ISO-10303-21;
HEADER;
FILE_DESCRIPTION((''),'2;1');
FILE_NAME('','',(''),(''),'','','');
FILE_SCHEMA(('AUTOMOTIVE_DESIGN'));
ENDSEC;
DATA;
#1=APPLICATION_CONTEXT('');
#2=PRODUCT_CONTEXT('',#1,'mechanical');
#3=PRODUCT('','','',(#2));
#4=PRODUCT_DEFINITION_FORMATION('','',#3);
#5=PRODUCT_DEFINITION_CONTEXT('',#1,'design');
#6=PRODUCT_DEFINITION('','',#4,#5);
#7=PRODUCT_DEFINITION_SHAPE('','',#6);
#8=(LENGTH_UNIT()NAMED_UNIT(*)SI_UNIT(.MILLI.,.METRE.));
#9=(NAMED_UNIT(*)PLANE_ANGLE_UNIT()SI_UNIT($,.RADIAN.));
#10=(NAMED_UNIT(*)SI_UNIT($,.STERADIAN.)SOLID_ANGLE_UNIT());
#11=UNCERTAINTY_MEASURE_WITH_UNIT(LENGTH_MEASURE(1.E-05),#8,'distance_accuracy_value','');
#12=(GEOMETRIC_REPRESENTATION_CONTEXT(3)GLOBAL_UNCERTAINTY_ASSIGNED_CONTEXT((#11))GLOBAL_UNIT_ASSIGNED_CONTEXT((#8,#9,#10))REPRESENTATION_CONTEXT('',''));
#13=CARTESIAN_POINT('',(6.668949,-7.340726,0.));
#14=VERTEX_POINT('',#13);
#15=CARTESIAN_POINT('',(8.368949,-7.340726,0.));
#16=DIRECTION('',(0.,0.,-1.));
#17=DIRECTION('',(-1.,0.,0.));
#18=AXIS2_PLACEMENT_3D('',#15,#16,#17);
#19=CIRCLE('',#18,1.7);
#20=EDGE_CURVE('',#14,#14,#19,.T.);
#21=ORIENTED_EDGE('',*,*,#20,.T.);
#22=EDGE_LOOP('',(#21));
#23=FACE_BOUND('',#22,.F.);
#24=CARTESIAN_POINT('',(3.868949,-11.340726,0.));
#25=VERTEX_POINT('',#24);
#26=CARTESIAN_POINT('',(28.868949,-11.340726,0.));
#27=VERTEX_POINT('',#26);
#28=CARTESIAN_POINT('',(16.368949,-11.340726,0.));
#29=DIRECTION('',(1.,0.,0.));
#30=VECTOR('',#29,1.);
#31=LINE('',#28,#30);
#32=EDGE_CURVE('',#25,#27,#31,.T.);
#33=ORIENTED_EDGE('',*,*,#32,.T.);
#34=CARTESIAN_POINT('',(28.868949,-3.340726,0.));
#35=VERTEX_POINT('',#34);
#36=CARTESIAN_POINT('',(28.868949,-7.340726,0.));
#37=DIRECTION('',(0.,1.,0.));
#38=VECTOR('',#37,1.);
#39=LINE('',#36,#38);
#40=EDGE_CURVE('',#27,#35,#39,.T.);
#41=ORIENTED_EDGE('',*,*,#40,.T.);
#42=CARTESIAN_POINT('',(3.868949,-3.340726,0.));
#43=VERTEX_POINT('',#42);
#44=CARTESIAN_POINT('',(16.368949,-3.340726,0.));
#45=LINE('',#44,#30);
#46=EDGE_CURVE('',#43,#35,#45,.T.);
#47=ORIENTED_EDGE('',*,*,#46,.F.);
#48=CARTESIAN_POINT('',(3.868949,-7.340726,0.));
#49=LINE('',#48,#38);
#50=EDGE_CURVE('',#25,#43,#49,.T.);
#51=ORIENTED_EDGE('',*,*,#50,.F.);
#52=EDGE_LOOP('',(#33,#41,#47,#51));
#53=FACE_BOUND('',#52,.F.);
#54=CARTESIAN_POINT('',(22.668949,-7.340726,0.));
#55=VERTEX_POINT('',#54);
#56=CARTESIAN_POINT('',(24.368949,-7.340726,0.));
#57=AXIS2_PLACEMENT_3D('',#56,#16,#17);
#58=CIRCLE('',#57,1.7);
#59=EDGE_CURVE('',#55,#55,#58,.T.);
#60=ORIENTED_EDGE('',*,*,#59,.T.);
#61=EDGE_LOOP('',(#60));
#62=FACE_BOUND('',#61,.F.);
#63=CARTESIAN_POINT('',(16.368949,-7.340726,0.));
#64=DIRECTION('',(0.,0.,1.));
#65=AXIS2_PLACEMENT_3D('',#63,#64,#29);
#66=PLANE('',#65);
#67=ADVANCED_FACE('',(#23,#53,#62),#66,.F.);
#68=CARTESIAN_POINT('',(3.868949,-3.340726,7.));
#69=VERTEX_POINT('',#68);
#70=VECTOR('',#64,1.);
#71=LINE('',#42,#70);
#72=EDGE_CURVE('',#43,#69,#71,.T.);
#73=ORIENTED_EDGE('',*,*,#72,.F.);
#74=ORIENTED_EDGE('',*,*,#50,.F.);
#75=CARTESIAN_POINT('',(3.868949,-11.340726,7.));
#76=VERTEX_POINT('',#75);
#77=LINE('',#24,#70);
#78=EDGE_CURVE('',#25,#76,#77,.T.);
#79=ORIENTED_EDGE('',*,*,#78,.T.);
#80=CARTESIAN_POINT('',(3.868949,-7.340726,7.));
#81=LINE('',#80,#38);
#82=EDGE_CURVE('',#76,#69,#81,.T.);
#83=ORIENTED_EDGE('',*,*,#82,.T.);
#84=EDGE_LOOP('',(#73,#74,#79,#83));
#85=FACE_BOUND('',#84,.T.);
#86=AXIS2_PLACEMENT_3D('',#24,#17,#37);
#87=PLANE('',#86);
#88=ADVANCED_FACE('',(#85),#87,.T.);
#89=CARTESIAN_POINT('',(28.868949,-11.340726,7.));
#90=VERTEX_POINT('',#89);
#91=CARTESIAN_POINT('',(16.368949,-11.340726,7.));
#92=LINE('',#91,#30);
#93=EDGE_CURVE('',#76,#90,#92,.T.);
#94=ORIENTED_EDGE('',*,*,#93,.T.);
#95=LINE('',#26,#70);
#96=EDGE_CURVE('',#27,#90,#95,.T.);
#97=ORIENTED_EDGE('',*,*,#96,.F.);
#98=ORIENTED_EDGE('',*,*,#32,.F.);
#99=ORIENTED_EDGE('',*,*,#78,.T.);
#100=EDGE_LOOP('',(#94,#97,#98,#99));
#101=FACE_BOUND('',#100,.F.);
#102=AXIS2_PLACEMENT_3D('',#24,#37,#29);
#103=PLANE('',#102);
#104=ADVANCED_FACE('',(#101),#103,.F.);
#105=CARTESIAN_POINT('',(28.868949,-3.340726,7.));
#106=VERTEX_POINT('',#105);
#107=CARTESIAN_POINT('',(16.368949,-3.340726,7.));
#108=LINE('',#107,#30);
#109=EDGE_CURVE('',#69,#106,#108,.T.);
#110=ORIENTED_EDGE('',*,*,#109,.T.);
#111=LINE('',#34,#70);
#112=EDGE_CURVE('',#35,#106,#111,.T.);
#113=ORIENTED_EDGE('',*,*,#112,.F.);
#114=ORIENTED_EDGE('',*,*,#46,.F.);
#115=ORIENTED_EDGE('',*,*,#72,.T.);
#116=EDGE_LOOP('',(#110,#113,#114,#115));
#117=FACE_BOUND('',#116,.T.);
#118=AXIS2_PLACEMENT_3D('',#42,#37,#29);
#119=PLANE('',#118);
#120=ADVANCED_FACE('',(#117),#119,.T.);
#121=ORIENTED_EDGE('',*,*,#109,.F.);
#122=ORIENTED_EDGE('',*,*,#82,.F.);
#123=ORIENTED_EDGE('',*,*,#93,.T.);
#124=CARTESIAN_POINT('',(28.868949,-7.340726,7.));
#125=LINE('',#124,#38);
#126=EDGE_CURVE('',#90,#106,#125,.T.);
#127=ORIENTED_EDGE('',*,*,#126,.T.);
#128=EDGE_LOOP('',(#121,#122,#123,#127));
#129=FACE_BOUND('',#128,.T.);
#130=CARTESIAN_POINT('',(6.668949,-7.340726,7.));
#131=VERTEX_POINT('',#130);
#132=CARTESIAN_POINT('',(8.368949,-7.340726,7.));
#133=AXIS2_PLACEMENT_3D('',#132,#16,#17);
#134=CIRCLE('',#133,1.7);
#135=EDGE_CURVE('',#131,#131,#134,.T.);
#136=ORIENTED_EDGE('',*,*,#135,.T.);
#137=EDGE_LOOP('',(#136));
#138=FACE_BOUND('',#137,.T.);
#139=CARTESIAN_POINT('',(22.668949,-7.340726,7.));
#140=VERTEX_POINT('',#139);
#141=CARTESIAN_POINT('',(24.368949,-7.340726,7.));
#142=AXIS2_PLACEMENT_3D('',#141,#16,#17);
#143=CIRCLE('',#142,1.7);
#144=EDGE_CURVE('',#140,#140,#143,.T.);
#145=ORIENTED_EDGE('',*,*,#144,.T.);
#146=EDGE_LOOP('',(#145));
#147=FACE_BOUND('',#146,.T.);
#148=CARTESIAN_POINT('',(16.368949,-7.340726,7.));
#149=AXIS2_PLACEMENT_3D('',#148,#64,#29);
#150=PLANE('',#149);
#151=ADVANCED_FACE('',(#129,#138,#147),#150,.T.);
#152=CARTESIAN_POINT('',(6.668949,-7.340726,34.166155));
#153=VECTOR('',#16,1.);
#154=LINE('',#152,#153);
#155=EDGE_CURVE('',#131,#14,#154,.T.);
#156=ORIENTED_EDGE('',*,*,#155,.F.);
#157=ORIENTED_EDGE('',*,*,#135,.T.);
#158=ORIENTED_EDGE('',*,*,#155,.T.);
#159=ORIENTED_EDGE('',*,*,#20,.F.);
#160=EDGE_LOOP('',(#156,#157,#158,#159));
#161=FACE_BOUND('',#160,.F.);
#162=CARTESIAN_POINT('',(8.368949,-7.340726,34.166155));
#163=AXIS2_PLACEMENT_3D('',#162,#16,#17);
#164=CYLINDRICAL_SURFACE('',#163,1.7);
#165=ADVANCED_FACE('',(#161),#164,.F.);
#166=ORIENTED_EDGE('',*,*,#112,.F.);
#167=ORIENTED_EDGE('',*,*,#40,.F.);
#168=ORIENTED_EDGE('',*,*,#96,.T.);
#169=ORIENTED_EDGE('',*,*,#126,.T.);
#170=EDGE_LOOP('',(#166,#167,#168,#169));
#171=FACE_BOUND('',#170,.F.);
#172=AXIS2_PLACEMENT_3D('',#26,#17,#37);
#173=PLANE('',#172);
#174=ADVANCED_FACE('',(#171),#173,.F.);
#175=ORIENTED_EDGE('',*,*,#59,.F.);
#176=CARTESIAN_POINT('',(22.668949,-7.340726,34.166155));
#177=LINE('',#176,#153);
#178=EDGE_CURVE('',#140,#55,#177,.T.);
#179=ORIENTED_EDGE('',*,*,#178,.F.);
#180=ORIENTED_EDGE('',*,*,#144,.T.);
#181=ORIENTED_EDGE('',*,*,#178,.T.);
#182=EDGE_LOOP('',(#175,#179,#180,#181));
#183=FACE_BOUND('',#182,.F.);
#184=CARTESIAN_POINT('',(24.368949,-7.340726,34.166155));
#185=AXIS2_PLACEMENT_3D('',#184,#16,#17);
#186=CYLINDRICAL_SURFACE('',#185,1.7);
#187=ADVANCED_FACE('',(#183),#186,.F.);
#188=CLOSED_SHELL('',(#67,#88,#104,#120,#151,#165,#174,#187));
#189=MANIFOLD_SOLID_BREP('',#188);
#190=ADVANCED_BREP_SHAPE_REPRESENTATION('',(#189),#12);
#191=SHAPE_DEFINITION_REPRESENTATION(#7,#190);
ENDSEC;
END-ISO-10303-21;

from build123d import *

# Parameters (mm, degrees)
F0_W     = 25
F0_H     = 8
F1_DEPTH = 7
F3_D     = 3.4


with BuildPart() as f1:
    # F0 (on Top) → F1 (new body)
    with BuildSketch(Plane.XY):
        with Locations((16.368949, -7.340726)):
            Rectangle(F0_W, F0_H)
    extrude(amount=F1_DEPTH)

    # F3 (through all)
    with Locations(Plane.XY.offset(7)):
        with Locations((8.368949, -7.340726), (24.368949, -7.340726)):
            Hole(F3_D / 2)


solid = f1.part
